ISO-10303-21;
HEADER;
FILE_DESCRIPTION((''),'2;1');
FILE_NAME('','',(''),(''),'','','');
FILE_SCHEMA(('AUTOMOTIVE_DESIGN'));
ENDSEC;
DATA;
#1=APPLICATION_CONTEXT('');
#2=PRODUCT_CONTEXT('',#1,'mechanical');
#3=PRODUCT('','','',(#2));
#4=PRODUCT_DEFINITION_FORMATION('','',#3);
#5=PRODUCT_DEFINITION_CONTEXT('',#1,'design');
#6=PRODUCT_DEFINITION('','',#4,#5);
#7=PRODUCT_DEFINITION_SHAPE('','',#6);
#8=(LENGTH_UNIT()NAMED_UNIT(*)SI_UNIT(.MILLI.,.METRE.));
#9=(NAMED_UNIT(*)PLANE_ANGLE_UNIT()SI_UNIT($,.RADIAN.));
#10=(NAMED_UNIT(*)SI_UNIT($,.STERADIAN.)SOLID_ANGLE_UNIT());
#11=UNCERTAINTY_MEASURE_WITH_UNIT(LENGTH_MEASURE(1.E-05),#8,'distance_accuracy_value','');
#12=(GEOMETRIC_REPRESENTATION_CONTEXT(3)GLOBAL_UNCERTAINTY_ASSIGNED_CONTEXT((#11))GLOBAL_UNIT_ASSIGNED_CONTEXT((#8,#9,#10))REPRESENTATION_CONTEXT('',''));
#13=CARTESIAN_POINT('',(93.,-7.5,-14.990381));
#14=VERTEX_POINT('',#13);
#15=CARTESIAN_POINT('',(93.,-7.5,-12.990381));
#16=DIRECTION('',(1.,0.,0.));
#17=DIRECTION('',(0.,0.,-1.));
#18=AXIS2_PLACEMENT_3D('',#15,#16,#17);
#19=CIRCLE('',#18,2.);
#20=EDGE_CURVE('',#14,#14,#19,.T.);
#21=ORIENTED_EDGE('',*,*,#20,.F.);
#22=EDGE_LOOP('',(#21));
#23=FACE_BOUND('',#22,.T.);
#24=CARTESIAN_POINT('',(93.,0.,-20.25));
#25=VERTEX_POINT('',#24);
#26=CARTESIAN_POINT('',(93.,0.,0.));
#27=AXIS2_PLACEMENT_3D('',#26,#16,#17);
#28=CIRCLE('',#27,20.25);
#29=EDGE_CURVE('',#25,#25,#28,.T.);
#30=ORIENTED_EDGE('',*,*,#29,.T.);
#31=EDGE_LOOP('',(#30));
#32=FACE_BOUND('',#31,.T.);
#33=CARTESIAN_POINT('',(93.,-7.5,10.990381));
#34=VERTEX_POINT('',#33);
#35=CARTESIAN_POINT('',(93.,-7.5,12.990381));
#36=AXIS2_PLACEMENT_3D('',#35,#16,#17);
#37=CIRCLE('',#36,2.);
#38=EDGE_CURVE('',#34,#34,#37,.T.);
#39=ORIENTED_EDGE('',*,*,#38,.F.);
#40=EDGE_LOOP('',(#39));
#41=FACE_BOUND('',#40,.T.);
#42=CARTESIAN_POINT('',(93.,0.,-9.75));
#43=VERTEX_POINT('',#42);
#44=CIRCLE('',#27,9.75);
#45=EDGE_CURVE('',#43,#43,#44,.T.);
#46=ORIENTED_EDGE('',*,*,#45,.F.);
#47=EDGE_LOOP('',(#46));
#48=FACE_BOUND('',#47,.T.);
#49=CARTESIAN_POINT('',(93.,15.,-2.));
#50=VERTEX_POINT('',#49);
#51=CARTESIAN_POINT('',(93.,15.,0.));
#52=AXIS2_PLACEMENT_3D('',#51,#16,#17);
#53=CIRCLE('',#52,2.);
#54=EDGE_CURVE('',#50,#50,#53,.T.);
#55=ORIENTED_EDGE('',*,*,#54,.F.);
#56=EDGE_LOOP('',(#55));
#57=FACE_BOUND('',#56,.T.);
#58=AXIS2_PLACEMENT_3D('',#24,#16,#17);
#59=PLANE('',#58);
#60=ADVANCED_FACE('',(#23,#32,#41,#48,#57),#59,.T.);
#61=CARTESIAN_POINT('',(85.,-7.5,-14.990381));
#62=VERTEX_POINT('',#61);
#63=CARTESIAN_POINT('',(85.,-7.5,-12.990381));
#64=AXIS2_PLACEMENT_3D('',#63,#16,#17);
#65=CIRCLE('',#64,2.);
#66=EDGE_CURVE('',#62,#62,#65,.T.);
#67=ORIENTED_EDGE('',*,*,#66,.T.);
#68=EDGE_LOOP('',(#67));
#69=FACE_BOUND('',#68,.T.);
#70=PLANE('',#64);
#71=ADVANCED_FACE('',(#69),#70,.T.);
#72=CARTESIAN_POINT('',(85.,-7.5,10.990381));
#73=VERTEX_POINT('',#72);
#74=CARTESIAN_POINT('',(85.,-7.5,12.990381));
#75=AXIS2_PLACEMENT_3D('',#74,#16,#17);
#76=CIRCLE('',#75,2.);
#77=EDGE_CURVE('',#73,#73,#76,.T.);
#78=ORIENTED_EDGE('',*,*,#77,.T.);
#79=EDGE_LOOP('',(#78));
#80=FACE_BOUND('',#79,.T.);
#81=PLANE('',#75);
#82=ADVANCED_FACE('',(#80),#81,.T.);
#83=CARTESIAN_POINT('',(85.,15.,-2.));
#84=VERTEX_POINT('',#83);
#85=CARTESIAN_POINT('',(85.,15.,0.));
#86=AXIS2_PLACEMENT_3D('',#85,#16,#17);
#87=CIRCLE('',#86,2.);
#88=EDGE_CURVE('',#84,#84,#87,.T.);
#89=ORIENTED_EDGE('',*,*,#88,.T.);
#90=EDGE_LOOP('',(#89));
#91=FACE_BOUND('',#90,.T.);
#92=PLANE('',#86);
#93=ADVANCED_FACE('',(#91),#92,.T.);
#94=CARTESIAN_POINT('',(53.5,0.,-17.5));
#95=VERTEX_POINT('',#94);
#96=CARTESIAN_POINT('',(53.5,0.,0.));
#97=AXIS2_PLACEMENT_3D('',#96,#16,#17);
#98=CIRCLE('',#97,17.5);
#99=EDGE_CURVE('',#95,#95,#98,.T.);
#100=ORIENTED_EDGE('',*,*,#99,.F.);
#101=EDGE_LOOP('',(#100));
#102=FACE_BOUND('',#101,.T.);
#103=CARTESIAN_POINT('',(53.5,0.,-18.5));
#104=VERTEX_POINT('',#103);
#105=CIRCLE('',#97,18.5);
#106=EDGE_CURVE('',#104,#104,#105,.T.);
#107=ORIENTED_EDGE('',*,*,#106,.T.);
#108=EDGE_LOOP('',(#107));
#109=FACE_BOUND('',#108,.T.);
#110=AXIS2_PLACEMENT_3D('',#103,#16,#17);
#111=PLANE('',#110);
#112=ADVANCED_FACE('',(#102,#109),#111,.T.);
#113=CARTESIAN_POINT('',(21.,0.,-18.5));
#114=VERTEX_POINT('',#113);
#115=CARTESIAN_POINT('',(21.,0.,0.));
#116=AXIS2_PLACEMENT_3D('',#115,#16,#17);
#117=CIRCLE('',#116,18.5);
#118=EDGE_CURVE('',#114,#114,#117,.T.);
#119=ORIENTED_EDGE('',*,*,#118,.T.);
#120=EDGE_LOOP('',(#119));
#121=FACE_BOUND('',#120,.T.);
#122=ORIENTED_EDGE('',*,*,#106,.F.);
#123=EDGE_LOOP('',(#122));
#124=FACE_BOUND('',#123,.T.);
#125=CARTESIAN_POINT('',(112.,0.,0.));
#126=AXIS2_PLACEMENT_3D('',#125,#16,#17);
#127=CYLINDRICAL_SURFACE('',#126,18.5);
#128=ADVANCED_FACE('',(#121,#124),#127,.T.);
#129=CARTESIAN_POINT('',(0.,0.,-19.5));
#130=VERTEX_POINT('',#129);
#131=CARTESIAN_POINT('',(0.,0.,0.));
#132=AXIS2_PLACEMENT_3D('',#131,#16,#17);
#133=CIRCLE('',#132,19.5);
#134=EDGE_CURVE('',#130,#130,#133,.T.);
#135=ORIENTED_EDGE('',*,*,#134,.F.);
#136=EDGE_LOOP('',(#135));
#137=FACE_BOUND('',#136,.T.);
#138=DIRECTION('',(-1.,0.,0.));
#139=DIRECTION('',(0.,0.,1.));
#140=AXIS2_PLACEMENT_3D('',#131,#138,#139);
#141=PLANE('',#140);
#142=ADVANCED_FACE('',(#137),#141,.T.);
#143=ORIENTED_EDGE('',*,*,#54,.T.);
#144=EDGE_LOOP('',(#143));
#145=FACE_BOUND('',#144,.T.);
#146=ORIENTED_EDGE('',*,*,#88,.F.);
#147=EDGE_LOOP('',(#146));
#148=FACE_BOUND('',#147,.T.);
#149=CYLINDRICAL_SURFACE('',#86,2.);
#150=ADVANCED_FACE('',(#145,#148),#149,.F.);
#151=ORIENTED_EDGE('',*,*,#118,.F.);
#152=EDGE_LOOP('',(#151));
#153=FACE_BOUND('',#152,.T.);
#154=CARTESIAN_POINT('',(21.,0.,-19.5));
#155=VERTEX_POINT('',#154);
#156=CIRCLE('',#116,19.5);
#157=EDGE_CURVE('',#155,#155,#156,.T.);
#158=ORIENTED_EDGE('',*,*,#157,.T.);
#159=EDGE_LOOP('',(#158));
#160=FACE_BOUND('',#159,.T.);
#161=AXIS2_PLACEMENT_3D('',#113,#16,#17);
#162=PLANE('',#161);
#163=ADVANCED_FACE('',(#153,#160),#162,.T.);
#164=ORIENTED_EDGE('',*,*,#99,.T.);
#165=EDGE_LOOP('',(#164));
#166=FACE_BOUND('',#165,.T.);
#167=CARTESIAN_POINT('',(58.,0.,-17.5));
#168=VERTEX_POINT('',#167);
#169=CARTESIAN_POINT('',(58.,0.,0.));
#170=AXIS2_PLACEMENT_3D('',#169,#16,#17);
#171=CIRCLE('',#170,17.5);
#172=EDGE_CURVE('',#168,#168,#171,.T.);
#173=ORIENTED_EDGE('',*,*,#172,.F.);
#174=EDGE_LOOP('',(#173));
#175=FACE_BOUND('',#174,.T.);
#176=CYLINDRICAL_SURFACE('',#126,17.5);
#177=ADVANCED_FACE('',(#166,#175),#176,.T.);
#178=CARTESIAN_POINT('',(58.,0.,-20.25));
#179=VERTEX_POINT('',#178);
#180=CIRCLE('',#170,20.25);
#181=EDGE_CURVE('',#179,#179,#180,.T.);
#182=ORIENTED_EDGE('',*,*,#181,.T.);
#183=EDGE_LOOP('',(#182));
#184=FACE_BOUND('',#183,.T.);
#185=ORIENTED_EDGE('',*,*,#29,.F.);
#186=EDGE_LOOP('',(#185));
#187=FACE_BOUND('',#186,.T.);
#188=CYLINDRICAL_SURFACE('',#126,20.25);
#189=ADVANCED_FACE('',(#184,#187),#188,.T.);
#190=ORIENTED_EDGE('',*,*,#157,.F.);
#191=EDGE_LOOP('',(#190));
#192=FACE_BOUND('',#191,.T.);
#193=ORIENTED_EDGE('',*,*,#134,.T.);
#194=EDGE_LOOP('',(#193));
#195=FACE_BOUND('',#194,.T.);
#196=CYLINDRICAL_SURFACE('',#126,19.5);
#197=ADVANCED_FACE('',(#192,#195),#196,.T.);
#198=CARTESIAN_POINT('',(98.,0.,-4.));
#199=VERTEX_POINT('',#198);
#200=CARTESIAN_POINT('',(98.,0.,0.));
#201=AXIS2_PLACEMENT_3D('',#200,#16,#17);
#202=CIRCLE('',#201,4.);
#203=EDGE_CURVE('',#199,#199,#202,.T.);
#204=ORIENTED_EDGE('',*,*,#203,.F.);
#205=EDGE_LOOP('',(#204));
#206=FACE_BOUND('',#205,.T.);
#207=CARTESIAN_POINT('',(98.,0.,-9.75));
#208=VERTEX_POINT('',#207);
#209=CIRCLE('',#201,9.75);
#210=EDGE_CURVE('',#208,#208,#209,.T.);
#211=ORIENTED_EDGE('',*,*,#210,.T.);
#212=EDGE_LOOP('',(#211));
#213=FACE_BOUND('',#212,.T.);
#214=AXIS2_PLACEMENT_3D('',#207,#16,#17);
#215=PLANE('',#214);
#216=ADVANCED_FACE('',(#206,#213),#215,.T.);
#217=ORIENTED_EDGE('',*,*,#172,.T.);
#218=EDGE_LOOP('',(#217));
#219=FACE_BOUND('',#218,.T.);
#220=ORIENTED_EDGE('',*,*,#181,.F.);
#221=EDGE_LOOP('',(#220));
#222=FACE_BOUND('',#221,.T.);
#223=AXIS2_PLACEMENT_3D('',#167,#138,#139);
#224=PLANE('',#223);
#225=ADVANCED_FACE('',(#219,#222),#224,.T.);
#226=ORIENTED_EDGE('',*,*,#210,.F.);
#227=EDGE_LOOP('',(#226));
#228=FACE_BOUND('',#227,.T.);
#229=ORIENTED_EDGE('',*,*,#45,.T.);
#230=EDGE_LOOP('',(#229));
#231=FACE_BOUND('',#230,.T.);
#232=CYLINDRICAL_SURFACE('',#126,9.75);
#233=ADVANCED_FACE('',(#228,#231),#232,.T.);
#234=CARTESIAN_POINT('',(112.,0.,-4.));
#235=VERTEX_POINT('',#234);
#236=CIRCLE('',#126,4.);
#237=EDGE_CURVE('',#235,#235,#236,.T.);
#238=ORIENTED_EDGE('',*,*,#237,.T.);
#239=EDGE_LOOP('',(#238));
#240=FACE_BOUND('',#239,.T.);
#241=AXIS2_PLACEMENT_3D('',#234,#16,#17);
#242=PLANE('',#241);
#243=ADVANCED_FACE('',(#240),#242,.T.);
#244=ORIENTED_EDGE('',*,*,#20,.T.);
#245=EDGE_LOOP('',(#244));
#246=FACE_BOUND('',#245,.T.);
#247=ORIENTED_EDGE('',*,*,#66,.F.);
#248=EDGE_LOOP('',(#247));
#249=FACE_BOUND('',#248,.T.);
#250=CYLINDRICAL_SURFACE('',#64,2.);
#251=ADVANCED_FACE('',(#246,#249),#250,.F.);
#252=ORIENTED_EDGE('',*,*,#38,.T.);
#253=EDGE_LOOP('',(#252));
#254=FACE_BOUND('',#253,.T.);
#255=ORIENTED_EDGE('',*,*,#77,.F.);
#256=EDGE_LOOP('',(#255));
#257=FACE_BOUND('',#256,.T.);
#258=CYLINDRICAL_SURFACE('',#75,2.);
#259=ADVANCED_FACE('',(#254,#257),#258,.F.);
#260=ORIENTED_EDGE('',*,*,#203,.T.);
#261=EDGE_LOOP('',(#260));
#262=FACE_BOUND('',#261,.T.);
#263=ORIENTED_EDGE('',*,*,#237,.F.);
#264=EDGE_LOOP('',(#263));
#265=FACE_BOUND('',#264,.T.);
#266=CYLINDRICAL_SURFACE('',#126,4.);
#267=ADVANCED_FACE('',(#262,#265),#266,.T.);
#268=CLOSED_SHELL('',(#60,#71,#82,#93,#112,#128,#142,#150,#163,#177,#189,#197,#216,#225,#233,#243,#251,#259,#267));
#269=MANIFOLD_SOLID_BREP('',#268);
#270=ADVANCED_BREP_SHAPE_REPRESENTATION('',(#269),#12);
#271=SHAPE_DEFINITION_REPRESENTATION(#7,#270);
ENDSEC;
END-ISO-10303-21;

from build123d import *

# Parameters (mm, degrees)
SCHIZZO4_R               = 2
TAGLIO_ESTRUSIONE1_DEPTH = 8


with BuildPart() as part:
    # Schizzo3 → Rivoluzione1 (revolve)
    with BuildSketch(Plane(origin=(0, 0, 0), x_dir=(1, 0, 0), z_dir=(0, 1, 0))):
        Polygon((0, 0), (0, 19.5), (21, 19.5), (21, 18.5), (53.5, 18.5), (53.5, 17.5), (58, 17.5), (58, 20.25), (93, 20.25), (93, 9.75), (98, 9.75), (98, 4), (112, 4), (112, 0), align=None)
    revolve(axis=Axis((112, 0, 0), (-1, 0, 0)))

    # Schizzo4 → Taglio-Estrusione1 (cut)
    with BuildSketch(Plane(origin=(93, 0, 0), x_dir=(0, 0, -1), z_dir=(1, 0, 0))):
        with Locations((0, 15)):
            Circle(SCHIZZO4_R)
        with Locations((12.990381057, -7.5)):
            Circle(SCHIZZO4_R)
        with Locations((-12.990381057, -7.5)):
            Circle(SCHIZZO4_R)
    extrude(amount=-TAGLIO_ESTRUSIONE1_DEPTH, mode=Mode.SUBTRACT)


solid = part.part
